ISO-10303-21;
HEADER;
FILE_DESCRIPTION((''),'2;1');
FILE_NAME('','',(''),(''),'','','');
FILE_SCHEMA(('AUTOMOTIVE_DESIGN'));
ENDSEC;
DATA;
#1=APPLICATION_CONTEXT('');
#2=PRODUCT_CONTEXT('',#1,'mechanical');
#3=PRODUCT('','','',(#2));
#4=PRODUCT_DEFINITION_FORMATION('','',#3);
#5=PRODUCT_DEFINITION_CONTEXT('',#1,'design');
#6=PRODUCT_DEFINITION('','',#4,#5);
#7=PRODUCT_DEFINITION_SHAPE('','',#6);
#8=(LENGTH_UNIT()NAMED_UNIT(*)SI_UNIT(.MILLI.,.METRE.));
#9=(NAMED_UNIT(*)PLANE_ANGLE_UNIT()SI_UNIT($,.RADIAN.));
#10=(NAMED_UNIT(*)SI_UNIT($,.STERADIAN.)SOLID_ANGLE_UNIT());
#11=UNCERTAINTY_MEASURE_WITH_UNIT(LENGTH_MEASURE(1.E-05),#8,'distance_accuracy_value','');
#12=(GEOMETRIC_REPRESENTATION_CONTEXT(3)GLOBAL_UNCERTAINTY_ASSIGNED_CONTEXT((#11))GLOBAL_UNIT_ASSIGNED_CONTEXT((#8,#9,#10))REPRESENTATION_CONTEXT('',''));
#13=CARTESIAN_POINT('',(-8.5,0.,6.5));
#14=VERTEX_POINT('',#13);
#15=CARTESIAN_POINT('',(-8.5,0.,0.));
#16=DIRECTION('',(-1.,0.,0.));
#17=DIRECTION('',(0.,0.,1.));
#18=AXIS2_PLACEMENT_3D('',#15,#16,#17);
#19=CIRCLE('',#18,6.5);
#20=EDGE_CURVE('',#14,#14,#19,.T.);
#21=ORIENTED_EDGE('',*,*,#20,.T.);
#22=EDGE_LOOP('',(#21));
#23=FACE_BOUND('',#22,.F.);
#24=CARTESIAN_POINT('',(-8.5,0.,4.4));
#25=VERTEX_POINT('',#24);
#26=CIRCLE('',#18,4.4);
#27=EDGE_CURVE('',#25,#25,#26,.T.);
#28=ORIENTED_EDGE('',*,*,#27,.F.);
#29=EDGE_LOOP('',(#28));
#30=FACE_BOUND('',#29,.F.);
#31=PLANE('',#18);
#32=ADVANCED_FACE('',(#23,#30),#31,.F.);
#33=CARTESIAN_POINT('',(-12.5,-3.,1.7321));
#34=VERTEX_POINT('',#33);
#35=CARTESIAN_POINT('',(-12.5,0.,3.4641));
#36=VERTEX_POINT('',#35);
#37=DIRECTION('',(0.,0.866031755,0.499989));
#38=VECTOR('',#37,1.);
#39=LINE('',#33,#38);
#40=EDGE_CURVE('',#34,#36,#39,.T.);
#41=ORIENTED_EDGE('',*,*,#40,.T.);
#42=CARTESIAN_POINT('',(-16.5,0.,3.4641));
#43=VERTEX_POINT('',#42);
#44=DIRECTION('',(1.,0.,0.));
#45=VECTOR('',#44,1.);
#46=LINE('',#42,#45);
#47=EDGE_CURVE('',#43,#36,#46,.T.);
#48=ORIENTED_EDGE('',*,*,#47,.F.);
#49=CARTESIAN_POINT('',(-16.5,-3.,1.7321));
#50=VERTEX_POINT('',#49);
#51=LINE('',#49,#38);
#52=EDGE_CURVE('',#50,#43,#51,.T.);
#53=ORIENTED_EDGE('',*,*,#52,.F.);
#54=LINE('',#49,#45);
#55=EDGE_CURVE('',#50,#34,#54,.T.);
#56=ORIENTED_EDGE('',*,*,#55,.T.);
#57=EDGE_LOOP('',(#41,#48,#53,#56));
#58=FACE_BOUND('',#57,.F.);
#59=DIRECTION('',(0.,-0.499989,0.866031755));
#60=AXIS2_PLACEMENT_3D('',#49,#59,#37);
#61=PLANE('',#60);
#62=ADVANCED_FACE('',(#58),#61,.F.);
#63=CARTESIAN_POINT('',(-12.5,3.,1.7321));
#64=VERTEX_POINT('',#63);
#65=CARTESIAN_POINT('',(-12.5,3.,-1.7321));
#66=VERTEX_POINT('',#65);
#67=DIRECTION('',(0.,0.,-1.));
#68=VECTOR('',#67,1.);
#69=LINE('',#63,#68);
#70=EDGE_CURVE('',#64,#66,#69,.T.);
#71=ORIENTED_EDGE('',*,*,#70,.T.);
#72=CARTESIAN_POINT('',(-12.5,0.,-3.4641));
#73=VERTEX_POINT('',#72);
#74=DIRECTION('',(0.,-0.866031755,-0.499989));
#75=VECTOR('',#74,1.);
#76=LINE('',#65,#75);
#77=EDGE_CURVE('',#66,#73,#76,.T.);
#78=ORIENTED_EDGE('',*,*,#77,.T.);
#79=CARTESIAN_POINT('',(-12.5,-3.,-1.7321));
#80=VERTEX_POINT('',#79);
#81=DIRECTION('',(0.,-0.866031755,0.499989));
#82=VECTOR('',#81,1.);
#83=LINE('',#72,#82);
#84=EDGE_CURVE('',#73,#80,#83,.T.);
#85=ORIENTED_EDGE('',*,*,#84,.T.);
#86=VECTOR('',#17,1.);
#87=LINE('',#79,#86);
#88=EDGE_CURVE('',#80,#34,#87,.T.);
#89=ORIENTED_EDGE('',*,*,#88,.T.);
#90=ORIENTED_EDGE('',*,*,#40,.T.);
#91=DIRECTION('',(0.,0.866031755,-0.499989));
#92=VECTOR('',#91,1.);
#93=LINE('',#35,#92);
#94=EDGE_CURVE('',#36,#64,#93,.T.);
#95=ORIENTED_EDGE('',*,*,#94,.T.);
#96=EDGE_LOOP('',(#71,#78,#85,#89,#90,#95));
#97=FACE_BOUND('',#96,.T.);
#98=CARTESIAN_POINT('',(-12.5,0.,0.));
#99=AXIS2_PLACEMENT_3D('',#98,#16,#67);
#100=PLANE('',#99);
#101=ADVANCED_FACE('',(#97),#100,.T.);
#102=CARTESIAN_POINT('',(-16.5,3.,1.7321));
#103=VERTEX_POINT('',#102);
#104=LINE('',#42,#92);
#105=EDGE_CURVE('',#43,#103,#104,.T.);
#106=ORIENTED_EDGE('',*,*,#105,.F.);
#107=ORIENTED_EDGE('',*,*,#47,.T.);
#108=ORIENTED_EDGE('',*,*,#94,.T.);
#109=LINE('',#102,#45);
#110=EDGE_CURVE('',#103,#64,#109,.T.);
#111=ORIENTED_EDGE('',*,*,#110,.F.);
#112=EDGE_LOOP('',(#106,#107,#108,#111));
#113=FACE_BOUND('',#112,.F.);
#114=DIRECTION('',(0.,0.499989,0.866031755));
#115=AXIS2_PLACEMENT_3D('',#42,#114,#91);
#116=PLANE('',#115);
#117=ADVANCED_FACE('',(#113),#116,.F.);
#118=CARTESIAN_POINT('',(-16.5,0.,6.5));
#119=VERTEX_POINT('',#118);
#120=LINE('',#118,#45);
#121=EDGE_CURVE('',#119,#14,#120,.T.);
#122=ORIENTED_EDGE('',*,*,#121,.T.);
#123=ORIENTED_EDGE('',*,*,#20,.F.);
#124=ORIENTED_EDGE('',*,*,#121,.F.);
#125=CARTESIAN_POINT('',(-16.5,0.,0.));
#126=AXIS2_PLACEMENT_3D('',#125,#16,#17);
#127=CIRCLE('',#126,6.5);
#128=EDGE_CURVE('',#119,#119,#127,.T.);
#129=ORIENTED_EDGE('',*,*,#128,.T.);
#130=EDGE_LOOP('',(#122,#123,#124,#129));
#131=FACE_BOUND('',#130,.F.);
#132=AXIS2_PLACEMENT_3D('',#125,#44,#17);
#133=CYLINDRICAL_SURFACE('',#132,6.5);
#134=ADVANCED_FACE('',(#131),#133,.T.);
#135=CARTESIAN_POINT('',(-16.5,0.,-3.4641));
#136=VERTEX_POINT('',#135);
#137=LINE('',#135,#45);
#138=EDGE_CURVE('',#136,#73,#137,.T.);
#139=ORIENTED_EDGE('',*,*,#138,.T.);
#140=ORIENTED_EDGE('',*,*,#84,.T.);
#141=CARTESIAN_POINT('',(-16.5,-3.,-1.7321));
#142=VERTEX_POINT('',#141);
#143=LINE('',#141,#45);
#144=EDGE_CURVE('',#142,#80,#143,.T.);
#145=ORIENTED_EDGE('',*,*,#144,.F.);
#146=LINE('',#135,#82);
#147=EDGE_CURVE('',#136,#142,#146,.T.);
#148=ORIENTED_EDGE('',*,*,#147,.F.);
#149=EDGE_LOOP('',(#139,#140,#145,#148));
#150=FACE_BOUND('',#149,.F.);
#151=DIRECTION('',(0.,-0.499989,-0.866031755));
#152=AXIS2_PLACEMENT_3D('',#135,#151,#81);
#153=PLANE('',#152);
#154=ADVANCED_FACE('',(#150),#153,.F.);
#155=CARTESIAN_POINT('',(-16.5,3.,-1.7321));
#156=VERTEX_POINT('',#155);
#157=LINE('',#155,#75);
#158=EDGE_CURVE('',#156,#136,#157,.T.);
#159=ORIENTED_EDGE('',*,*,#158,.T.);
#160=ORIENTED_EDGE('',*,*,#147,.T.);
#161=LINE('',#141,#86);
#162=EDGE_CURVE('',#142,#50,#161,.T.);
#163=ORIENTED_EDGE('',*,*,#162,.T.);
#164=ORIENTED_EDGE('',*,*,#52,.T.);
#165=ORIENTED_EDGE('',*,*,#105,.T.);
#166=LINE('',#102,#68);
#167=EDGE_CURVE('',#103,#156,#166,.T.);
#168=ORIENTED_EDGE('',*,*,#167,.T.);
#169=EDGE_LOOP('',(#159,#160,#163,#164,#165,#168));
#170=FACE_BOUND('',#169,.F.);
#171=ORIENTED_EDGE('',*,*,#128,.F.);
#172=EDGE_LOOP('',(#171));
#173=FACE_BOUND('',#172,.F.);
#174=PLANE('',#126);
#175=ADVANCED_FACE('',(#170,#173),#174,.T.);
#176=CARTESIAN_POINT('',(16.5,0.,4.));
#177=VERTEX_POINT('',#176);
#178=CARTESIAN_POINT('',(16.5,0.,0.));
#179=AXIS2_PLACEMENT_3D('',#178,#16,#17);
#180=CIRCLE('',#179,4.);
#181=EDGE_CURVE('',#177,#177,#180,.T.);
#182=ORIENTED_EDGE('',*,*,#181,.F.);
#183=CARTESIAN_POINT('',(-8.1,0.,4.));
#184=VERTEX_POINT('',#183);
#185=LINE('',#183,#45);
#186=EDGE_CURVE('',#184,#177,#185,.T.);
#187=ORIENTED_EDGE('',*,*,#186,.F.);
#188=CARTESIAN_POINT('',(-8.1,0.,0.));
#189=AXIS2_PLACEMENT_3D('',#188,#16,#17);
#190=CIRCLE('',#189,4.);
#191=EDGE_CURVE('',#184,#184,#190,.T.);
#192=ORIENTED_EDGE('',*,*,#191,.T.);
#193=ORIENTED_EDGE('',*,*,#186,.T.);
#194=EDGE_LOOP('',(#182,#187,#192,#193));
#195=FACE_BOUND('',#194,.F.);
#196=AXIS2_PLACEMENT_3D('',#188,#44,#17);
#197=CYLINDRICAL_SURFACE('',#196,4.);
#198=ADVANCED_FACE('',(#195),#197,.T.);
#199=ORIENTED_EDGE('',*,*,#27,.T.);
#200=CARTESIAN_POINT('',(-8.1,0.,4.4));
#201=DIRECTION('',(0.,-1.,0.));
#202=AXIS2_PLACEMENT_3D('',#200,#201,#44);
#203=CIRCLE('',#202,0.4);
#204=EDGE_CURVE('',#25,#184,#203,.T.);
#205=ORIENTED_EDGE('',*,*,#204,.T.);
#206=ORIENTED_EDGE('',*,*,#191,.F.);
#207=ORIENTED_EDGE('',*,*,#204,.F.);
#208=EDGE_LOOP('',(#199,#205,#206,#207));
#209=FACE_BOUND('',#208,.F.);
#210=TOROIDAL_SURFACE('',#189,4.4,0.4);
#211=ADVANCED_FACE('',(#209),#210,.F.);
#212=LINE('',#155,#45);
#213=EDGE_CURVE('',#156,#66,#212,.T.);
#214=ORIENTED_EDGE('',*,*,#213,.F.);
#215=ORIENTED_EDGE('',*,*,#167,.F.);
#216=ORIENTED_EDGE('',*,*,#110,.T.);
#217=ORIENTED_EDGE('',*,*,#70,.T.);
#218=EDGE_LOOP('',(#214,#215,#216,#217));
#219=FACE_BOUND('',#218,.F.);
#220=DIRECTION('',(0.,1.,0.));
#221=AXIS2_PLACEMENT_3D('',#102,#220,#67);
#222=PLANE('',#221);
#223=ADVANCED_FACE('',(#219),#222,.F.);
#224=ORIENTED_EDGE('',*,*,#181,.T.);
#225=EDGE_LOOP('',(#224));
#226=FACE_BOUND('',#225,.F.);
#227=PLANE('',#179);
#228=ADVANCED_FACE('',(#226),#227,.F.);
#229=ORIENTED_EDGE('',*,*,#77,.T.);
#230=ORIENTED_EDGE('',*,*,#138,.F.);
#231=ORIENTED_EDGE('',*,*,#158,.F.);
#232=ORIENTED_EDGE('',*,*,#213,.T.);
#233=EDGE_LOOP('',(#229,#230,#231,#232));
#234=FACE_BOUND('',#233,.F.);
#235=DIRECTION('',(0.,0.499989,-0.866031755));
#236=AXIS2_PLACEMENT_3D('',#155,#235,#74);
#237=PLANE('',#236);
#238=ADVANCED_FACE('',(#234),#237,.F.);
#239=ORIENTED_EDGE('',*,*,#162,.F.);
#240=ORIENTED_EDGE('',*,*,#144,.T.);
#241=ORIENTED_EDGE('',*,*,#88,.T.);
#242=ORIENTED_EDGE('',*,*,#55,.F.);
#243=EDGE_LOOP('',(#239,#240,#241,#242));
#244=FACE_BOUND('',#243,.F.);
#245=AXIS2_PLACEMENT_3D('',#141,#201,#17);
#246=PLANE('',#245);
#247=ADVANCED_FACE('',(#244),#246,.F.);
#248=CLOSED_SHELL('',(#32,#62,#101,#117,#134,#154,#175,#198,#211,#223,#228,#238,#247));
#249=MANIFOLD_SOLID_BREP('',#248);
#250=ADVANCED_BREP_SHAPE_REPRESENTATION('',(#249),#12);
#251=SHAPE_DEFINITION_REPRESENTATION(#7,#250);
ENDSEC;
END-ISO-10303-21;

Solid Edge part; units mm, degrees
sketch "Sketch1" plane through (10.8674, 0, 10.8674) normal (0, -1, 0) x (1, 0, 0)
  line L0 (-27.3674, -10.8674) -> (-27.3674, -4.3674)
  line L1 (-27.3674, -4.3674) -> (-19.3674, -4.3674)
  line L2 (-19.3674, -4.3674) -> (-19.3674, -6.4674)
  arc A0 (-19.3674, -6.4674) -> (-18.9674, -6.8674) centre (-18.9674, -6.4674) ccw
  line L3 (-18.9674, -6.8674) -> (5.6326, -6.8674)
  line L4 (5.6326, -6.8674) -> (5.6326, -10.8674)
  dimension "D1" = 8
  dimension "D2" = 25
  dimension "D3" = 0.4
revolve "RevolvedProtrusion1" add sketch "Sketch1" angle 360 about axis through (16.5, 0, 0) along (-1, 0, 0)
sketch "Sketch2" plane through (-16.5, 0, 0) normal (-1, 0, 0) x (0, 0, -1)
  line L0 (3.4641, 0) -> (1.7321, 3)
  line L1 (1.7321, 3) -> (-1.7321, 3)
  line L2 (-1.7321, 3) -> (-3.4641, 0)
  line L3 (-3.4641, 0) -> (-1.7321, -3)
  line L4 (-1.7321, -3) -> (1.7321, -3)
  line L5 (1.7321, -3) -> (3.4641, 0)
  dimension "D1" = 6
extrude "Cutout1" cut sketch "Sketch2" against normal blind 4
cosmetic_thread "Gänga" size "M8 x 0.75" thread depth 20
properties material "Steel"
